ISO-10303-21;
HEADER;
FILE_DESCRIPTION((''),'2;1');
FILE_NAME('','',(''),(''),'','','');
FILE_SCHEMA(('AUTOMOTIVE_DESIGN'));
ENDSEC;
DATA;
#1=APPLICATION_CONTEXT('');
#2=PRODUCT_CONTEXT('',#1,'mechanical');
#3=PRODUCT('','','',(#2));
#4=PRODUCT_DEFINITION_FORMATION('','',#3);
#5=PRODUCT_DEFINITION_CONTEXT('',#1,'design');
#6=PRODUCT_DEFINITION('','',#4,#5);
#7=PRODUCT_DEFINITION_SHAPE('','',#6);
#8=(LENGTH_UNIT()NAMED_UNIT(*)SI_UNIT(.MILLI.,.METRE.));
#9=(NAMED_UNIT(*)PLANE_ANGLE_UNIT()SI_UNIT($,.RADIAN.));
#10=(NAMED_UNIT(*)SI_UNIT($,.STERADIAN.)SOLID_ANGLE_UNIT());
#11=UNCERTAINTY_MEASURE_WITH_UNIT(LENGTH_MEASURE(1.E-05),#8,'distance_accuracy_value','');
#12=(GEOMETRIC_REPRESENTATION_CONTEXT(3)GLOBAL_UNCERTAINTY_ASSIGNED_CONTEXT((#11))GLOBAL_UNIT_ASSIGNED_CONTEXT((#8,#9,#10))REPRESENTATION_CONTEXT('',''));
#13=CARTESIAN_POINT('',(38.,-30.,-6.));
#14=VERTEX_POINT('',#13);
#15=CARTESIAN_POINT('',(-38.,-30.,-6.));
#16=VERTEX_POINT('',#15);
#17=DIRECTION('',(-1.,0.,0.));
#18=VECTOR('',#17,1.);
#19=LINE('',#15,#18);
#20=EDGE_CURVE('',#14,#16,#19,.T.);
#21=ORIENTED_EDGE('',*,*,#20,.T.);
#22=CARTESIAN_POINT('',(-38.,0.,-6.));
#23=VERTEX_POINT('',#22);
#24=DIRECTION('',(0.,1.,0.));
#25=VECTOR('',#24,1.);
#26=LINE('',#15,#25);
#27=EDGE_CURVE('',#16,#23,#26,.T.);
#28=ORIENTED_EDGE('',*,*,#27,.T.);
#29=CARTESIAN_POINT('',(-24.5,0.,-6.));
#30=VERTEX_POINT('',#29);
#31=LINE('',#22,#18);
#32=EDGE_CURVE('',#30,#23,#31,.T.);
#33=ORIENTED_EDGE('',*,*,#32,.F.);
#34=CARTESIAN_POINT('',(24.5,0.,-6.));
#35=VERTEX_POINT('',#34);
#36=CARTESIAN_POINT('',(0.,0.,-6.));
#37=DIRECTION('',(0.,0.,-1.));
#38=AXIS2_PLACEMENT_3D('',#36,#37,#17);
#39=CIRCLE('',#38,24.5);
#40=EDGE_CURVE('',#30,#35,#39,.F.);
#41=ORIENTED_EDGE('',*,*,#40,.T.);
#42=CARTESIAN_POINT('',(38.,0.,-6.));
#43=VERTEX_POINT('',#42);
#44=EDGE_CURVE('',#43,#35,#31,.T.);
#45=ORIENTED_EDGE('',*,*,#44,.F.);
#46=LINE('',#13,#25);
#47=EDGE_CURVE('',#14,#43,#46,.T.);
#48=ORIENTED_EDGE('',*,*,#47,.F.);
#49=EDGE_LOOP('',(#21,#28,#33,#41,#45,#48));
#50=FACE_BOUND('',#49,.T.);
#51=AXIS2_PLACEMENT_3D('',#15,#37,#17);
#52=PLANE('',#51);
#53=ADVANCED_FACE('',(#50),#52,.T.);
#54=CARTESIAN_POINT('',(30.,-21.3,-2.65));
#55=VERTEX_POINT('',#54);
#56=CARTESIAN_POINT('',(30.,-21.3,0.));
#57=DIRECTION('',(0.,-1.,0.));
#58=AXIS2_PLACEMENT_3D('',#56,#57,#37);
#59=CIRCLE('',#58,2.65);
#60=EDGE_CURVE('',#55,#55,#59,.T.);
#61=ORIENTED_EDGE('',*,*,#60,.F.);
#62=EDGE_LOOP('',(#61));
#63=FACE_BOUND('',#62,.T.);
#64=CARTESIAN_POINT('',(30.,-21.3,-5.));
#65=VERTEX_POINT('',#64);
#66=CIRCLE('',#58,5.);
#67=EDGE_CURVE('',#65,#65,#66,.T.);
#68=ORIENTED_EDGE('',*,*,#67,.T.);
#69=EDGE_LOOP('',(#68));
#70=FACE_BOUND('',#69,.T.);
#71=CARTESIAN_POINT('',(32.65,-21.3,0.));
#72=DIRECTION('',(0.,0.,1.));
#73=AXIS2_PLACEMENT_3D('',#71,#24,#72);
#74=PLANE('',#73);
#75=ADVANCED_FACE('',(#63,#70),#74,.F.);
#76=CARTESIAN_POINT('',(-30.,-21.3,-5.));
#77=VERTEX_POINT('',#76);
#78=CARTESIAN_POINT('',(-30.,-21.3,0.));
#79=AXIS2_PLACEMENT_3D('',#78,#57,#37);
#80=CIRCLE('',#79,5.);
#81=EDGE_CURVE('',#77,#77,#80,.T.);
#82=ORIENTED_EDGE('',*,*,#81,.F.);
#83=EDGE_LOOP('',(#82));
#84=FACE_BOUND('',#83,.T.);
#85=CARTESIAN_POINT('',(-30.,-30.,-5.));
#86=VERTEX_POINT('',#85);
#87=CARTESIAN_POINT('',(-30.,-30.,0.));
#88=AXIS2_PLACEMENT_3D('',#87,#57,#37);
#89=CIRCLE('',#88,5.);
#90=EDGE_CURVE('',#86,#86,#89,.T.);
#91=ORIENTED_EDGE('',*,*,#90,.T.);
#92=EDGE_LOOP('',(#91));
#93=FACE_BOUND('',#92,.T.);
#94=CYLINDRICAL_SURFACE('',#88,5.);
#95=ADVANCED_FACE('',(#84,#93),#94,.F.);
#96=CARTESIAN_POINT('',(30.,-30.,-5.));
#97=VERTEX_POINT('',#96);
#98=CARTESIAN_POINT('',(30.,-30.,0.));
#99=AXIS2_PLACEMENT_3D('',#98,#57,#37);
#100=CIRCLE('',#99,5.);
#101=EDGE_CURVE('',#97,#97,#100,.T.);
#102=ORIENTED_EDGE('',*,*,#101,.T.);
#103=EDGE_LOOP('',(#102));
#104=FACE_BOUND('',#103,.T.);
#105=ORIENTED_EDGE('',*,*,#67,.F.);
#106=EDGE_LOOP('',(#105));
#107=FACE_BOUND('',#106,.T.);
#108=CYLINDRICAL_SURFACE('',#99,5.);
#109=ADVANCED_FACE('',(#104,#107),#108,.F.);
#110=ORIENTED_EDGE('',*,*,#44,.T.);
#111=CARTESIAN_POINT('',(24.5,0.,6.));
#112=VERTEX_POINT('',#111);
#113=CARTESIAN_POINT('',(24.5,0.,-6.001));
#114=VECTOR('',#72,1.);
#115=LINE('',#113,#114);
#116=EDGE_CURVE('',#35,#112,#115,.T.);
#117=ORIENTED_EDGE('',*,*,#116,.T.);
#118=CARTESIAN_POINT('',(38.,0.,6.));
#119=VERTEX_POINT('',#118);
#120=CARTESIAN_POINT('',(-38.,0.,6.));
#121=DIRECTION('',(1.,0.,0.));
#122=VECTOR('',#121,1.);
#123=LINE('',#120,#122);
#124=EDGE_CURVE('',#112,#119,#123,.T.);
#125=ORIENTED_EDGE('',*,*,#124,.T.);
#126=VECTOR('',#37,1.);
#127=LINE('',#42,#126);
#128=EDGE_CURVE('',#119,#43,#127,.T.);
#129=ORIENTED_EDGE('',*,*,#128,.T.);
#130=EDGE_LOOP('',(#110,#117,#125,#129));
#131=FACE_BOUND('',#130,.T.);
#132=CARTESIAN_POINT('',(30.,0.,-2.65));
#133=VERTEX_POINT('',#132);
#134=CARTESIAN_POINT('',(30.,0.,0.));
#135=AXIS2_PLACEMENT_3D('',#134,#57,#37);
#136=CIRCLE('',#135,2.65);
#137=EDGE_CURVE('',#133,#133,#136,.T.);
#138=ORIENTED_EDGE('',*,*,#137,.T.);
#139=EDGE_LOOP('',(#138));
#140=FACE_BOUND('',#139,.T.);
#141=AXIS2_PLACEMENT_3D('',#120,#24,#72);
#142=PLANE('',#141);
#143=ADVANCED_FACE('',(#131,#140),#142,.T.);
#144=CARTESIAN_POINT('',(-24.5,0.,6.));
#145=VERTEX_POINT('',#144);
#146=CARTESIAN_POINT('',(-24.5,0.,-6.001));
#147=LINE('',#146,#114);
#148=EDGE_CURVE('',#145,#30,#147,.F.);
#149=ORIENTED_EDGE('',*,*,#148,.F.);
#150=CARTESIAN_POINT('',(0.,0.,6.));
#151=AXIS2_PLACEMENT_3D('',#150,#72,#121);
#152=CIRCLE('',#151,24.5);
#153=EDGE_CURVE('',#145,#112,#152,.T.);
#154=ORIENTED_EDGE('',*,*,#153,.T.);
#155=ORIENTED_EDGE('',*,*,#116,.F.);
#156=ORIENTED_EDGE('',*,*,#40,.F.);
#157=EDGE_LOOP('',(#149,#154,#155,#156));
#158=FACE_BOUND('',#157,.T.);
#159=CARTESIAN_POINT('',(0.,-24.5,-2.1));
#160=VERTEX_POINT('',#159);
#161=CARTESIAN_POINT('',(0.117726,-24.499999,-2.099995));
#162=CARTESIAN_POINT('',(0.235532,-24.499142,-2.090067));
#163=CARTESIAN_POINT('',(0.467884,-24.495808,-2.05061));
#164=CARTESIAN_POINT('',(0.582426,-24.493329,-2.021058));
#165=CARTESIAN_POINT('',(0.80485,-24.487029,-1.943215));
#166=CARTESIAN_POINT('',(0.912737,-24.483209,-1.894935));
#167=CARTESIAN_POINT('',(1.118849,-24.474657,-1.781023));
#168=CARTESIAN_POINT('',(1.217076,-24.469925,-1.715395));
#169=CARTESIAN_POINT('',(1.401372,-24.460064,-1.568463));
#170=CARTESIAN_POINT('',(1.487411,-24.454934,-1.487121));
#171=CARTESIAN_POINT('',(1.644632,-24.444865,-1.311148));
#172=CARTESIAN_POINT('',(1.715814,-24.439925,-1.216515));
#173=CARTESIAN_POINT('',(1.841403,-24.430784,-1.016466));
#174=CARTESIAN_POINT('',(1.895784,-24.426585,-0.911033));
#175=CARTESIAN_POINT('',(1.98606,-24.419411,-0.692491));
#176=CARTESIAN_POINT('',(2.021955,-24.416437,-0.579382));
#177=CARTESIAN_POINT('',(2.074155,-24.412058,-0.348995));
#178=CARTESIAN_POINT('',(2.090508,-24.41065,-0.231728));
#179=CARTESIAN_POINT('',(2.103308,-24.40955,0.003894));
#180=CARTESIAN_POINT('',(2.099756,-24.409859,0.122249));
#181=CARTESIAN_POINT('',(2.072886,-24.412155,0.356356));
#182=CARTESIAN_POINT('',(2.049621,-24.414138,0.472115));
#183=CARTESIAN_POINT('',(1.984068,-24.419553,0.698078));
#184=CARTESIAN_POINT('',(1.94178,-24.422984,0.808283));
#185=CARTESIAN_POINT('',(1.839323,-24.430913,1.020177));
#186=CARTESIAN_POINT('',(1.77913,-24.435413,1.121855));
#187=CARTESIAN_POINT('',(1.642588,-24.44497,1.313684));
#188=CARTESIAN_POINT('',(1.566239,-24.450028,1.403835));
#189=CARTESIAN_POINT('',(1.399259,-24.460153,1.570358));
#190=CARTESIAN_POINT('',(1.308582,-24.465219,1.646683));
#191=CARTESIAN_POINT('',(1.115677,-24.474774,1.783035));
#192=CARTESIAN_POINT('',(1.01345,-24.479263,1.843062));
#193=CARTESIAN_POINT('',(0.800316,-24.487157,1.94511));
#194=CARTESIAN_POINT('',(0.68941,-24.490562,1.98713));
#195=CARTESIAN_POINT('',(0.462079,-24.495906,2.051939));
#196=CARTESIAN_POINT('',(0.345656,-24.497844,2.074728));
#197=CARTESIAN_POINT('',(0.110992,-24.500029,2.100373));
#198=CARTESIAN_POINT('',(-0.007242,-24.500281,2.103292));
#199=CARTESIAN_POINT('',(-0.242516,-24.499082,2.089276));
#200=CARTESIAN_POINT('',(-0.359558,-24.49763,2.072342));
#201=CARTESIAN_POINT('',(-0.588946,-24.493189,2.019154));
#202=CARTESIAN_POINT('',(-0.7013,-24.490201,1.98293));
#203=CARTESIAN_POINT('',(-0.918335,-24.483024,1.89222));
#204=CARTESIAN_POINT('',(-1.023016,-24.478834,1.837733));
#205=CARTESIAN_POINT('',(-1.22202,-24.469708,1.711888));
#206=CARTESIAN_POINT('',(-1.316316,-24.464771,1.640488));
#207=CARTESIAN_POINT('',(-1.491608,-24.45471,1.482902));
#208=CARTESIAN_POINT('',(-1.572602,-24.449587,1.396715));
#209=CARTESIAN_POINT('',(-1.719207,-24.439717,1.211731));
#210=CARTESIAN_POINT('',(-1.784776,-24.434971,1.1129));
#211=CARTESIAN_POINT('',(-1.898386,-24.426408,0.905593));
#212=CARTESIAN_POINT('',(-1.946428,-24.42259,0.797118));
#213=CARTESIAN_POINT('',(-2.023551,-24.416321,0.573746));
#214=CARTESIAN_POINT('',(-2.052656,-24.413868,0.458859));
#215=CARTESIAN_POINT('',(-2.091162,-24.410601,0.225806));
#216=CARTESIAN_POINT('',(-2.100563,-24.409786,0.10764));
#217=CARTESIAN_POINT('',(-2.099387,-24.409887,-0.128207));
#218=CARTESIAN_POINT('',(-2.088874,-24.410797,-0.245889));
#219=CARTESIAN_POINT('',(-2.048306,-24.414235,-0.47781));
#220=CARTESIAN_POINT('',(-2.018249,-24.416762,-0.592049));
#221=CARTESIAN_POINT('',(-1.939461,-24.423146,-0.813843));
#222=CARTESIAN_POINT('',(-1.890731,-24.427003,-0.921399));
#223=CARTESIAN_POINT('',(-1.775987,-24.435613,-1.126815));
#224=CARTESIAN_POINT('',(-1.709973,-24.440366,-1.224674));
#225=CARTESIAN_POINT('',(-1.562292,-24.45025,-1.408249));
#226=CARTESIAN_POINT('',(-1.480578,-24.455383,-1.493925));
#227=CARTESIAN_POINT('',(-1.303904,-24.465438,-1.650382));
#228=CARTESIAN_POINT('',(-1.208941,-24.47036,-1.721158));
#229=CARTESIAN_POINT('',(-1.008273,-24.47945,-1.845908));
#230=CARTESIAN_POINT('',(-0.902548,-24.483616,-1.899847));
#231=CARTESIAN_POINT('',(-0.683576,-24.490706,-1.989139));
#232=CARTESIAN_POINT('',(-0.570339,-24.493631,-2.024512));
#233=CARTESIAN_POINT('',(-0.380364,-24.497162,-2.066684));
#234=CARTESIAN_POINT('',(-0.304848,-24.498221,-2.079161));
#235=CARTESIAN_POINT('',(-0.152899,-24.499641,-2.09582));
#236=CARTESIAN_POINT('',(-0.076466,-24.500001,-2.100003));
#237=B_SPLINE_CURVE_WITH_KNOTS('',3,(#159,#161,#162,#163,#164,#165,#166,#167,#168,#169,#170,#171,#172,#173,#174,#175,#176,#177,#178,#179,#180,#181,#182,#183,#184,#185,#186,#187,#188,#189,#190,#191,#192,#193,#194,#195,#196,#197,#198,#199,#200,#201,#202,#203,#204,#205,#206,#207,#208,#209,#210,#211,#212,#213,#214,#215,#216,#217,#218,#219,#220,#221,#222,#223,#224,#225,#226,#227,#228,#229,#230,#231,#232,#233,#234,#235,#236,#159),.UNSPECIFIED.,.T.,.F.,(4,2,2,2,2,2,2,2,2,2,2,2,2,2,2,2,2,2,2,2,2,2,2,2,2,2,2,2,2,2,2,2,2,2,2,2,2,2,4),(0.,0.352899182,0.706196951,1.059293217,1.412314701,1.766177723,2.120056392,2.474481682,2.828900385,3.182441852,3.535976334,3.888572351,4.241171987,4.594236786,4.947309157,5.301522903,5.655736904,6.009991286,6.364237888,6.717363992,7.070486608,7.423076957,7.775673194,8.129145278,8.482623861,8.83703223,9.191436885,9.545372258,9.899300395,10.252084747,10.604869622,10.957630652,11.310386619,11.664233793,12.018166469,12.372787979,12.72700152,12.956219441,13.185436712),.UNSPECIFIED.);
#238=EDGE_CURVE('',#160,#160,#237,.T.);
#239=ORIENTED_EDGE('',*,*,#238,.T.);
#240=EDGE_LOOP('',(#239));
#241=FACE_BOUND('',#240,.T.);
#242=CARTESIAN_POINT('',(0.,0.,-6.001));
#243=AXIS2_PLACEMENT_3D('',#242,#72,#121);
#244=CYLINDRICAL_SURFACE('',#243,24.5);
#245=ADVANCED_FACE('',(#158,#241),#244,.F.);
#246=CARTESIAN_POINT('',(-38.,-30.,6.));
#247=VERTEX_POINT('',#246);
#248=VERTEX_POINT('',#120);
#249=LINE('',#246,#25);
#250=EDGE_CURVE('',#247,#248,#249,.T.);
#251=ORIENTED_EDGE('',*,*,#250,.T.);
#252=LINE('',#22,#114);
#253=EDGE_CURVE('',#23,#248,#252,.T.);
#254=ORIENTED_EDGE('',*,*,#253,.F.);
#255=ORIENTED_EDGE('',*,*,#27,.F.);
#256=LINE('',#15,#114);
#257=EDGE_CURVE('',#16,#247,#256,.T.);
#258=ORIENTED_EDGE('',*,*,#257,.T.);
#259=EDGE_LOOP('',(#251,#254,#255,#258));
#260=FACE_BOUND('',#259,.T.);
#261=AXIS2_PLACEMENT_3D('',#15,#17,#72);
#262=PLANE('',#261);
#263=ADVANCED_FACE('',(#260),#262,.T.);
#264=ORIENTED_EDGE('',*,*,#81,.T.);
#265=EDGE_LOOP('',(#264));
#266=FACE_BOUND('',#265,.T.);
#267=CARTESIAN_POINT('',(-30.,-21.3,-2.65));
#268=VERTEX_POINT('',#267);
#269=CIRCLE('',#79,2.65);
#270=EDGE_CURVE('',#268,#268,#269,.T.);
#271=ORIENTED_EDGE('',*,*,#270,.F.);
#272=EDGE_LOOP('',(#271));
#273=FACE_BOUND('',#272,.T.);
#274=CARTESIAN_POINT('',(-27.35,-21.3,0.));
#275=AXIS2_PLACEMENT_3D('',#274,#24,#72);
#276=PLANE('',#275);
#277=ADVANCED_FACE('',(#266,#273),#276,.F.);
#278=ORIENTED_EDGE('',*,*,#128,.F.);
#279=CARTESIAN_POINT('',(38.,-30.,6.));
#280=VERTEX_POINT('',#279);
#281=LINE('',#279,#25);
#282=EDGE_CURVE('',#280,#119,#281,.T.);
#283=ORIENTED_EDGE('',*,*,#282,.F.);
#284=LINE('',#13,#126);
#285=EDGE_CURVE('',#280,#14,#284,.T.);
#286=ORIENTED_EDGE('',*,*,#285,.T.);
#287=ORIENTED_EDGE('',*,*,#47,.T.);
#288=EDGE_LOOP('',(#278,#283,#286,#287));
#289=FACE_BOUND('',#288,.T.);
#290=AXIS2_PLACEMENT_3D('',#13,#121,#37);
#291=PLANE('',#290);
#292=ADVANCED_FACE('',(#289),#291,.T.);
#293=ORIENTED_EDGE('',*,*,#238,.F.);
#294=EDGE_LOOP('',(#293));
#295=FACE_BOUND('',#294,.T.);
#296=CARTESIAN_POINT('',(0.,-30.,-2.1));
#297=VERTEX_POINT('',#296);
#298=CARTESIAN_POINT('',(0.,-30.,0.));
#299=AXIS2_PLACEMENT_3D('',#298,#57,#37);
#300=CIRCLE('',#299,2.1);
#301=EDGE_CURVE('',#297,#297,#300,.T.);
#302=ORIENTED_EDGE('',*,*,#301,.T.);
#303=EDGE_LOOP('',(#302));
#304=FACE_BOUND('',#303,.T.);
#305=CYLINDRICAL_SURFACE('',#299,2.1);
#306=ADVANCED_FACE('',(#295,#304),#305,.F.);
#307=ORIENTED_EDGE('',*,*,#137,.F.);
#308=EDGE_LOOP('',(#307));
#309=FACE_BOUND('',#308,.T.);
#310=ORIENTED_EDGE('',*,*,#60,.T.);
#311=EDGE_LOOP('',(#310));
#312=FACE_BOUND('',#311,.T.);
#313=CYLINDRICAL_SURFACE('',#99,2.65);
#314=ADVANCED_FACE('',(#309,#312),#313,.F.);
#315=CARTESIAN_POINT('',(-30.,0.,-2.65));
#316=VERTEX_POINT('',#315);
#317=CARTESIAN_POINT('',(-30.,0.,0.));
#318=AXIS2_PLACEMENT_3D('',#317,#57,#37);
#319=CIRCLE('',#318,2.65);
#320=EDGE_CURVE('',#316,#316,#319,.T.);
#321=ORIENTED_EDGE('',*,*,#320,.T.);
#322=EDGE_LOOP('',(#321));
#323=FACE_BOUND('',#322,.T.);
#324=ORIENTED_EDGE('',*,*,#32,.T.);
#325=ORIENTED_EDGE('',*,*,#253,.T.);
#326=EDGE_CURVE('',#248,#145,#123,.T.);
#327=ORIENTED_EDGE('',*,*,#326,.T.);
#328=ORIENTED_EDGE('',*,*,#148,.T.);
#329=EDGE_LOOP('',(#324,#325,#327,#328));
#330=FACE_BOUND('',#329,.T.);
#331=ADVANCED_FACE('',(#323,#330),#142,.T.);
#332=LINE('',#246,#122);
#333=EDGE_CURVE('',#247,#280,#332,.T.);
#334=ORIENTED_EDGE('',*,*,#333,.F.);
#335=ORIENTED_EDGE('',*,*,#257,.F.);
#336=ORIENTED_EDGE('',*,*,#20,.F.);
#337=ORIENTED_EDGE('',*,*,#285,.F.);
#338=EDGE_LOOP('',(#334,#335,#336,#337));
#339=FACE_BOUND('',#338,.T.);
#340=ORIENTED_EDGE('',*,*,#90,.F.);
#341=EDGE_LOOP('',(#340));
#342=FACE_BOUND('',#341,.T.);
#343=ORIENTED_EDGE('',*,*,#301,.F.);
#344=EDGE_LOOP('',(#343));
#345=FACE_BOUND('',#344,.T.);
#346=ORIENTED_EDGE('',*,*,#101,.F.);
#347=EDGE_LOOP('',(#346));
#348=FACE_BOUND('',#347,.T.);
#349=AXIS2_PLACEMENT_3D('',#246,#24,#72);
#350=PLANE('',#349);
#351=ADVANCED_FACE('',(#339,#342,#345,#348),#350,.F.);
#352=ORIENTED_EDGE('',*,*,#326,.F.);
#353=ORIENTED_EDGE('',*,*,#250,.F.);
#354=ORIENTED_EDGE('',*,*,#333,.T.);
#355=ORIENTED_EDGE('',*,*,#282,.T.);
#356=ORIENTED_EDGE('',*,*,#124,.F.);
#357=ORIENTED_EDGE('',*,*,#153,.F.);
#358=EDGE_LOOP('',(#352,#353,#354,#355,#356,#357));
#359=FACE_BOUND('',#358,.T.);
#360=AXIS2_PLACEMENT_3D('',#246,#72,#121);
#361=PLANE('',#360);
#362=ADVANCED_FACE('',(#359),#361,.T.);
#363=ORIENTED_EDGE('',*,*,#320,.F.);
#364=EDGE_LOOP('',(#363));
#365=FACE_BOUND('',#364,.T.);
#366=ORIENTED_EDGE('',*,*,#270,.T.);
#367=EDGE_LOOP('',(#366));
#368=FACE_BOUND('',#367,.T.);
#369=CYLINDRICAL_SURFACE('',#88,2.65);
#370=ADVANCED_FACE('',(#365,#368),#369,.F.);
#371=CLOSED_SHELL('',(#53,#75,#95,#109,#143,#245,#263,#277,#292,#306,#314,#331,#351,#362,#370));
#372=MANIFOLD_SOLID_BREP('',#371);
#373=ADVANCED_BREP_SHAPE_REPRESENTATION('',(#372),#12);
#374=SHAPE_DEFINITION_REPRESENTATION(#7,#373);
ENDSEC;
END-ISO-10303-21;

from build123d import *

# Parameters (mm, degrees)
SKETCH_1_W                = 76
SKETCH_1_H                = 12
EXTRUDE_1_DEPTH           = 30
CUT_EXTRUDE_1_REACH       = 51.88
SKETCH_2_R                = 24.5
HOLE_WIZARD_M5_1_D        = 4.2
HOLE_WIZARD_1_D           = 5.3
HOLE_WIZARD_1_CBORE_D     = 10
HOLE_WIZARD_1_CBORE_DEPTH = 8.7


with BuildPart() as part:
    # 草图1 → 凸台-拉伸1 (new body)
    with BuildSketch(Plane(origin=(0, 0, 0), x_dir=(1, 0, 0), z_dir=(0, 1, 0))):
        Rectangle(SKETCH_1_W, SKETCH_1_H)
    extrude(amount=-EXTRUDE_1_DEPTH)

    # 草图2 → 切除-拉伸1 (cut, up to next)
    with BuildSketch(Plane.XY.offset(6), mode=Mode.PRIVATE) as cut_extrude_1_sk1:
        Circle(SKETCH_2_R)
    cut_extrude_1_tool1 = extrude(cut_extrude_1_sk1.sketch, amount=-CUT_EXTRUDE_1_REACH, mode=Mode.PRIVATE) & part.part
    add(cut_extrude_1_tool1.solids().sort_by_distance((0, 0, 6))[0], mode=Mode.SUBTRACT)

    # M5 螺纹孔1 (through all)
    with Locations(Plane.XZ.offset(30)):
        with Locations((0, 0)):
            Hole(HOLE_WIZARD_M5_1_D / 2)

    # 打孔尺寸根据内六角圆柱头螺钉的类型1 (through all)
    with Locations(Plane.XZ.offset(30)):
        with Locations((-30, 0), (30, 0)):
            CounterBoreHole(HOLE_WIZARD_1_D / 2, HOLE_WIZARD_1_CBORE_D / 2, HOLE_WIZARD_1_CBORE_DEPTH)


solid = part.part
